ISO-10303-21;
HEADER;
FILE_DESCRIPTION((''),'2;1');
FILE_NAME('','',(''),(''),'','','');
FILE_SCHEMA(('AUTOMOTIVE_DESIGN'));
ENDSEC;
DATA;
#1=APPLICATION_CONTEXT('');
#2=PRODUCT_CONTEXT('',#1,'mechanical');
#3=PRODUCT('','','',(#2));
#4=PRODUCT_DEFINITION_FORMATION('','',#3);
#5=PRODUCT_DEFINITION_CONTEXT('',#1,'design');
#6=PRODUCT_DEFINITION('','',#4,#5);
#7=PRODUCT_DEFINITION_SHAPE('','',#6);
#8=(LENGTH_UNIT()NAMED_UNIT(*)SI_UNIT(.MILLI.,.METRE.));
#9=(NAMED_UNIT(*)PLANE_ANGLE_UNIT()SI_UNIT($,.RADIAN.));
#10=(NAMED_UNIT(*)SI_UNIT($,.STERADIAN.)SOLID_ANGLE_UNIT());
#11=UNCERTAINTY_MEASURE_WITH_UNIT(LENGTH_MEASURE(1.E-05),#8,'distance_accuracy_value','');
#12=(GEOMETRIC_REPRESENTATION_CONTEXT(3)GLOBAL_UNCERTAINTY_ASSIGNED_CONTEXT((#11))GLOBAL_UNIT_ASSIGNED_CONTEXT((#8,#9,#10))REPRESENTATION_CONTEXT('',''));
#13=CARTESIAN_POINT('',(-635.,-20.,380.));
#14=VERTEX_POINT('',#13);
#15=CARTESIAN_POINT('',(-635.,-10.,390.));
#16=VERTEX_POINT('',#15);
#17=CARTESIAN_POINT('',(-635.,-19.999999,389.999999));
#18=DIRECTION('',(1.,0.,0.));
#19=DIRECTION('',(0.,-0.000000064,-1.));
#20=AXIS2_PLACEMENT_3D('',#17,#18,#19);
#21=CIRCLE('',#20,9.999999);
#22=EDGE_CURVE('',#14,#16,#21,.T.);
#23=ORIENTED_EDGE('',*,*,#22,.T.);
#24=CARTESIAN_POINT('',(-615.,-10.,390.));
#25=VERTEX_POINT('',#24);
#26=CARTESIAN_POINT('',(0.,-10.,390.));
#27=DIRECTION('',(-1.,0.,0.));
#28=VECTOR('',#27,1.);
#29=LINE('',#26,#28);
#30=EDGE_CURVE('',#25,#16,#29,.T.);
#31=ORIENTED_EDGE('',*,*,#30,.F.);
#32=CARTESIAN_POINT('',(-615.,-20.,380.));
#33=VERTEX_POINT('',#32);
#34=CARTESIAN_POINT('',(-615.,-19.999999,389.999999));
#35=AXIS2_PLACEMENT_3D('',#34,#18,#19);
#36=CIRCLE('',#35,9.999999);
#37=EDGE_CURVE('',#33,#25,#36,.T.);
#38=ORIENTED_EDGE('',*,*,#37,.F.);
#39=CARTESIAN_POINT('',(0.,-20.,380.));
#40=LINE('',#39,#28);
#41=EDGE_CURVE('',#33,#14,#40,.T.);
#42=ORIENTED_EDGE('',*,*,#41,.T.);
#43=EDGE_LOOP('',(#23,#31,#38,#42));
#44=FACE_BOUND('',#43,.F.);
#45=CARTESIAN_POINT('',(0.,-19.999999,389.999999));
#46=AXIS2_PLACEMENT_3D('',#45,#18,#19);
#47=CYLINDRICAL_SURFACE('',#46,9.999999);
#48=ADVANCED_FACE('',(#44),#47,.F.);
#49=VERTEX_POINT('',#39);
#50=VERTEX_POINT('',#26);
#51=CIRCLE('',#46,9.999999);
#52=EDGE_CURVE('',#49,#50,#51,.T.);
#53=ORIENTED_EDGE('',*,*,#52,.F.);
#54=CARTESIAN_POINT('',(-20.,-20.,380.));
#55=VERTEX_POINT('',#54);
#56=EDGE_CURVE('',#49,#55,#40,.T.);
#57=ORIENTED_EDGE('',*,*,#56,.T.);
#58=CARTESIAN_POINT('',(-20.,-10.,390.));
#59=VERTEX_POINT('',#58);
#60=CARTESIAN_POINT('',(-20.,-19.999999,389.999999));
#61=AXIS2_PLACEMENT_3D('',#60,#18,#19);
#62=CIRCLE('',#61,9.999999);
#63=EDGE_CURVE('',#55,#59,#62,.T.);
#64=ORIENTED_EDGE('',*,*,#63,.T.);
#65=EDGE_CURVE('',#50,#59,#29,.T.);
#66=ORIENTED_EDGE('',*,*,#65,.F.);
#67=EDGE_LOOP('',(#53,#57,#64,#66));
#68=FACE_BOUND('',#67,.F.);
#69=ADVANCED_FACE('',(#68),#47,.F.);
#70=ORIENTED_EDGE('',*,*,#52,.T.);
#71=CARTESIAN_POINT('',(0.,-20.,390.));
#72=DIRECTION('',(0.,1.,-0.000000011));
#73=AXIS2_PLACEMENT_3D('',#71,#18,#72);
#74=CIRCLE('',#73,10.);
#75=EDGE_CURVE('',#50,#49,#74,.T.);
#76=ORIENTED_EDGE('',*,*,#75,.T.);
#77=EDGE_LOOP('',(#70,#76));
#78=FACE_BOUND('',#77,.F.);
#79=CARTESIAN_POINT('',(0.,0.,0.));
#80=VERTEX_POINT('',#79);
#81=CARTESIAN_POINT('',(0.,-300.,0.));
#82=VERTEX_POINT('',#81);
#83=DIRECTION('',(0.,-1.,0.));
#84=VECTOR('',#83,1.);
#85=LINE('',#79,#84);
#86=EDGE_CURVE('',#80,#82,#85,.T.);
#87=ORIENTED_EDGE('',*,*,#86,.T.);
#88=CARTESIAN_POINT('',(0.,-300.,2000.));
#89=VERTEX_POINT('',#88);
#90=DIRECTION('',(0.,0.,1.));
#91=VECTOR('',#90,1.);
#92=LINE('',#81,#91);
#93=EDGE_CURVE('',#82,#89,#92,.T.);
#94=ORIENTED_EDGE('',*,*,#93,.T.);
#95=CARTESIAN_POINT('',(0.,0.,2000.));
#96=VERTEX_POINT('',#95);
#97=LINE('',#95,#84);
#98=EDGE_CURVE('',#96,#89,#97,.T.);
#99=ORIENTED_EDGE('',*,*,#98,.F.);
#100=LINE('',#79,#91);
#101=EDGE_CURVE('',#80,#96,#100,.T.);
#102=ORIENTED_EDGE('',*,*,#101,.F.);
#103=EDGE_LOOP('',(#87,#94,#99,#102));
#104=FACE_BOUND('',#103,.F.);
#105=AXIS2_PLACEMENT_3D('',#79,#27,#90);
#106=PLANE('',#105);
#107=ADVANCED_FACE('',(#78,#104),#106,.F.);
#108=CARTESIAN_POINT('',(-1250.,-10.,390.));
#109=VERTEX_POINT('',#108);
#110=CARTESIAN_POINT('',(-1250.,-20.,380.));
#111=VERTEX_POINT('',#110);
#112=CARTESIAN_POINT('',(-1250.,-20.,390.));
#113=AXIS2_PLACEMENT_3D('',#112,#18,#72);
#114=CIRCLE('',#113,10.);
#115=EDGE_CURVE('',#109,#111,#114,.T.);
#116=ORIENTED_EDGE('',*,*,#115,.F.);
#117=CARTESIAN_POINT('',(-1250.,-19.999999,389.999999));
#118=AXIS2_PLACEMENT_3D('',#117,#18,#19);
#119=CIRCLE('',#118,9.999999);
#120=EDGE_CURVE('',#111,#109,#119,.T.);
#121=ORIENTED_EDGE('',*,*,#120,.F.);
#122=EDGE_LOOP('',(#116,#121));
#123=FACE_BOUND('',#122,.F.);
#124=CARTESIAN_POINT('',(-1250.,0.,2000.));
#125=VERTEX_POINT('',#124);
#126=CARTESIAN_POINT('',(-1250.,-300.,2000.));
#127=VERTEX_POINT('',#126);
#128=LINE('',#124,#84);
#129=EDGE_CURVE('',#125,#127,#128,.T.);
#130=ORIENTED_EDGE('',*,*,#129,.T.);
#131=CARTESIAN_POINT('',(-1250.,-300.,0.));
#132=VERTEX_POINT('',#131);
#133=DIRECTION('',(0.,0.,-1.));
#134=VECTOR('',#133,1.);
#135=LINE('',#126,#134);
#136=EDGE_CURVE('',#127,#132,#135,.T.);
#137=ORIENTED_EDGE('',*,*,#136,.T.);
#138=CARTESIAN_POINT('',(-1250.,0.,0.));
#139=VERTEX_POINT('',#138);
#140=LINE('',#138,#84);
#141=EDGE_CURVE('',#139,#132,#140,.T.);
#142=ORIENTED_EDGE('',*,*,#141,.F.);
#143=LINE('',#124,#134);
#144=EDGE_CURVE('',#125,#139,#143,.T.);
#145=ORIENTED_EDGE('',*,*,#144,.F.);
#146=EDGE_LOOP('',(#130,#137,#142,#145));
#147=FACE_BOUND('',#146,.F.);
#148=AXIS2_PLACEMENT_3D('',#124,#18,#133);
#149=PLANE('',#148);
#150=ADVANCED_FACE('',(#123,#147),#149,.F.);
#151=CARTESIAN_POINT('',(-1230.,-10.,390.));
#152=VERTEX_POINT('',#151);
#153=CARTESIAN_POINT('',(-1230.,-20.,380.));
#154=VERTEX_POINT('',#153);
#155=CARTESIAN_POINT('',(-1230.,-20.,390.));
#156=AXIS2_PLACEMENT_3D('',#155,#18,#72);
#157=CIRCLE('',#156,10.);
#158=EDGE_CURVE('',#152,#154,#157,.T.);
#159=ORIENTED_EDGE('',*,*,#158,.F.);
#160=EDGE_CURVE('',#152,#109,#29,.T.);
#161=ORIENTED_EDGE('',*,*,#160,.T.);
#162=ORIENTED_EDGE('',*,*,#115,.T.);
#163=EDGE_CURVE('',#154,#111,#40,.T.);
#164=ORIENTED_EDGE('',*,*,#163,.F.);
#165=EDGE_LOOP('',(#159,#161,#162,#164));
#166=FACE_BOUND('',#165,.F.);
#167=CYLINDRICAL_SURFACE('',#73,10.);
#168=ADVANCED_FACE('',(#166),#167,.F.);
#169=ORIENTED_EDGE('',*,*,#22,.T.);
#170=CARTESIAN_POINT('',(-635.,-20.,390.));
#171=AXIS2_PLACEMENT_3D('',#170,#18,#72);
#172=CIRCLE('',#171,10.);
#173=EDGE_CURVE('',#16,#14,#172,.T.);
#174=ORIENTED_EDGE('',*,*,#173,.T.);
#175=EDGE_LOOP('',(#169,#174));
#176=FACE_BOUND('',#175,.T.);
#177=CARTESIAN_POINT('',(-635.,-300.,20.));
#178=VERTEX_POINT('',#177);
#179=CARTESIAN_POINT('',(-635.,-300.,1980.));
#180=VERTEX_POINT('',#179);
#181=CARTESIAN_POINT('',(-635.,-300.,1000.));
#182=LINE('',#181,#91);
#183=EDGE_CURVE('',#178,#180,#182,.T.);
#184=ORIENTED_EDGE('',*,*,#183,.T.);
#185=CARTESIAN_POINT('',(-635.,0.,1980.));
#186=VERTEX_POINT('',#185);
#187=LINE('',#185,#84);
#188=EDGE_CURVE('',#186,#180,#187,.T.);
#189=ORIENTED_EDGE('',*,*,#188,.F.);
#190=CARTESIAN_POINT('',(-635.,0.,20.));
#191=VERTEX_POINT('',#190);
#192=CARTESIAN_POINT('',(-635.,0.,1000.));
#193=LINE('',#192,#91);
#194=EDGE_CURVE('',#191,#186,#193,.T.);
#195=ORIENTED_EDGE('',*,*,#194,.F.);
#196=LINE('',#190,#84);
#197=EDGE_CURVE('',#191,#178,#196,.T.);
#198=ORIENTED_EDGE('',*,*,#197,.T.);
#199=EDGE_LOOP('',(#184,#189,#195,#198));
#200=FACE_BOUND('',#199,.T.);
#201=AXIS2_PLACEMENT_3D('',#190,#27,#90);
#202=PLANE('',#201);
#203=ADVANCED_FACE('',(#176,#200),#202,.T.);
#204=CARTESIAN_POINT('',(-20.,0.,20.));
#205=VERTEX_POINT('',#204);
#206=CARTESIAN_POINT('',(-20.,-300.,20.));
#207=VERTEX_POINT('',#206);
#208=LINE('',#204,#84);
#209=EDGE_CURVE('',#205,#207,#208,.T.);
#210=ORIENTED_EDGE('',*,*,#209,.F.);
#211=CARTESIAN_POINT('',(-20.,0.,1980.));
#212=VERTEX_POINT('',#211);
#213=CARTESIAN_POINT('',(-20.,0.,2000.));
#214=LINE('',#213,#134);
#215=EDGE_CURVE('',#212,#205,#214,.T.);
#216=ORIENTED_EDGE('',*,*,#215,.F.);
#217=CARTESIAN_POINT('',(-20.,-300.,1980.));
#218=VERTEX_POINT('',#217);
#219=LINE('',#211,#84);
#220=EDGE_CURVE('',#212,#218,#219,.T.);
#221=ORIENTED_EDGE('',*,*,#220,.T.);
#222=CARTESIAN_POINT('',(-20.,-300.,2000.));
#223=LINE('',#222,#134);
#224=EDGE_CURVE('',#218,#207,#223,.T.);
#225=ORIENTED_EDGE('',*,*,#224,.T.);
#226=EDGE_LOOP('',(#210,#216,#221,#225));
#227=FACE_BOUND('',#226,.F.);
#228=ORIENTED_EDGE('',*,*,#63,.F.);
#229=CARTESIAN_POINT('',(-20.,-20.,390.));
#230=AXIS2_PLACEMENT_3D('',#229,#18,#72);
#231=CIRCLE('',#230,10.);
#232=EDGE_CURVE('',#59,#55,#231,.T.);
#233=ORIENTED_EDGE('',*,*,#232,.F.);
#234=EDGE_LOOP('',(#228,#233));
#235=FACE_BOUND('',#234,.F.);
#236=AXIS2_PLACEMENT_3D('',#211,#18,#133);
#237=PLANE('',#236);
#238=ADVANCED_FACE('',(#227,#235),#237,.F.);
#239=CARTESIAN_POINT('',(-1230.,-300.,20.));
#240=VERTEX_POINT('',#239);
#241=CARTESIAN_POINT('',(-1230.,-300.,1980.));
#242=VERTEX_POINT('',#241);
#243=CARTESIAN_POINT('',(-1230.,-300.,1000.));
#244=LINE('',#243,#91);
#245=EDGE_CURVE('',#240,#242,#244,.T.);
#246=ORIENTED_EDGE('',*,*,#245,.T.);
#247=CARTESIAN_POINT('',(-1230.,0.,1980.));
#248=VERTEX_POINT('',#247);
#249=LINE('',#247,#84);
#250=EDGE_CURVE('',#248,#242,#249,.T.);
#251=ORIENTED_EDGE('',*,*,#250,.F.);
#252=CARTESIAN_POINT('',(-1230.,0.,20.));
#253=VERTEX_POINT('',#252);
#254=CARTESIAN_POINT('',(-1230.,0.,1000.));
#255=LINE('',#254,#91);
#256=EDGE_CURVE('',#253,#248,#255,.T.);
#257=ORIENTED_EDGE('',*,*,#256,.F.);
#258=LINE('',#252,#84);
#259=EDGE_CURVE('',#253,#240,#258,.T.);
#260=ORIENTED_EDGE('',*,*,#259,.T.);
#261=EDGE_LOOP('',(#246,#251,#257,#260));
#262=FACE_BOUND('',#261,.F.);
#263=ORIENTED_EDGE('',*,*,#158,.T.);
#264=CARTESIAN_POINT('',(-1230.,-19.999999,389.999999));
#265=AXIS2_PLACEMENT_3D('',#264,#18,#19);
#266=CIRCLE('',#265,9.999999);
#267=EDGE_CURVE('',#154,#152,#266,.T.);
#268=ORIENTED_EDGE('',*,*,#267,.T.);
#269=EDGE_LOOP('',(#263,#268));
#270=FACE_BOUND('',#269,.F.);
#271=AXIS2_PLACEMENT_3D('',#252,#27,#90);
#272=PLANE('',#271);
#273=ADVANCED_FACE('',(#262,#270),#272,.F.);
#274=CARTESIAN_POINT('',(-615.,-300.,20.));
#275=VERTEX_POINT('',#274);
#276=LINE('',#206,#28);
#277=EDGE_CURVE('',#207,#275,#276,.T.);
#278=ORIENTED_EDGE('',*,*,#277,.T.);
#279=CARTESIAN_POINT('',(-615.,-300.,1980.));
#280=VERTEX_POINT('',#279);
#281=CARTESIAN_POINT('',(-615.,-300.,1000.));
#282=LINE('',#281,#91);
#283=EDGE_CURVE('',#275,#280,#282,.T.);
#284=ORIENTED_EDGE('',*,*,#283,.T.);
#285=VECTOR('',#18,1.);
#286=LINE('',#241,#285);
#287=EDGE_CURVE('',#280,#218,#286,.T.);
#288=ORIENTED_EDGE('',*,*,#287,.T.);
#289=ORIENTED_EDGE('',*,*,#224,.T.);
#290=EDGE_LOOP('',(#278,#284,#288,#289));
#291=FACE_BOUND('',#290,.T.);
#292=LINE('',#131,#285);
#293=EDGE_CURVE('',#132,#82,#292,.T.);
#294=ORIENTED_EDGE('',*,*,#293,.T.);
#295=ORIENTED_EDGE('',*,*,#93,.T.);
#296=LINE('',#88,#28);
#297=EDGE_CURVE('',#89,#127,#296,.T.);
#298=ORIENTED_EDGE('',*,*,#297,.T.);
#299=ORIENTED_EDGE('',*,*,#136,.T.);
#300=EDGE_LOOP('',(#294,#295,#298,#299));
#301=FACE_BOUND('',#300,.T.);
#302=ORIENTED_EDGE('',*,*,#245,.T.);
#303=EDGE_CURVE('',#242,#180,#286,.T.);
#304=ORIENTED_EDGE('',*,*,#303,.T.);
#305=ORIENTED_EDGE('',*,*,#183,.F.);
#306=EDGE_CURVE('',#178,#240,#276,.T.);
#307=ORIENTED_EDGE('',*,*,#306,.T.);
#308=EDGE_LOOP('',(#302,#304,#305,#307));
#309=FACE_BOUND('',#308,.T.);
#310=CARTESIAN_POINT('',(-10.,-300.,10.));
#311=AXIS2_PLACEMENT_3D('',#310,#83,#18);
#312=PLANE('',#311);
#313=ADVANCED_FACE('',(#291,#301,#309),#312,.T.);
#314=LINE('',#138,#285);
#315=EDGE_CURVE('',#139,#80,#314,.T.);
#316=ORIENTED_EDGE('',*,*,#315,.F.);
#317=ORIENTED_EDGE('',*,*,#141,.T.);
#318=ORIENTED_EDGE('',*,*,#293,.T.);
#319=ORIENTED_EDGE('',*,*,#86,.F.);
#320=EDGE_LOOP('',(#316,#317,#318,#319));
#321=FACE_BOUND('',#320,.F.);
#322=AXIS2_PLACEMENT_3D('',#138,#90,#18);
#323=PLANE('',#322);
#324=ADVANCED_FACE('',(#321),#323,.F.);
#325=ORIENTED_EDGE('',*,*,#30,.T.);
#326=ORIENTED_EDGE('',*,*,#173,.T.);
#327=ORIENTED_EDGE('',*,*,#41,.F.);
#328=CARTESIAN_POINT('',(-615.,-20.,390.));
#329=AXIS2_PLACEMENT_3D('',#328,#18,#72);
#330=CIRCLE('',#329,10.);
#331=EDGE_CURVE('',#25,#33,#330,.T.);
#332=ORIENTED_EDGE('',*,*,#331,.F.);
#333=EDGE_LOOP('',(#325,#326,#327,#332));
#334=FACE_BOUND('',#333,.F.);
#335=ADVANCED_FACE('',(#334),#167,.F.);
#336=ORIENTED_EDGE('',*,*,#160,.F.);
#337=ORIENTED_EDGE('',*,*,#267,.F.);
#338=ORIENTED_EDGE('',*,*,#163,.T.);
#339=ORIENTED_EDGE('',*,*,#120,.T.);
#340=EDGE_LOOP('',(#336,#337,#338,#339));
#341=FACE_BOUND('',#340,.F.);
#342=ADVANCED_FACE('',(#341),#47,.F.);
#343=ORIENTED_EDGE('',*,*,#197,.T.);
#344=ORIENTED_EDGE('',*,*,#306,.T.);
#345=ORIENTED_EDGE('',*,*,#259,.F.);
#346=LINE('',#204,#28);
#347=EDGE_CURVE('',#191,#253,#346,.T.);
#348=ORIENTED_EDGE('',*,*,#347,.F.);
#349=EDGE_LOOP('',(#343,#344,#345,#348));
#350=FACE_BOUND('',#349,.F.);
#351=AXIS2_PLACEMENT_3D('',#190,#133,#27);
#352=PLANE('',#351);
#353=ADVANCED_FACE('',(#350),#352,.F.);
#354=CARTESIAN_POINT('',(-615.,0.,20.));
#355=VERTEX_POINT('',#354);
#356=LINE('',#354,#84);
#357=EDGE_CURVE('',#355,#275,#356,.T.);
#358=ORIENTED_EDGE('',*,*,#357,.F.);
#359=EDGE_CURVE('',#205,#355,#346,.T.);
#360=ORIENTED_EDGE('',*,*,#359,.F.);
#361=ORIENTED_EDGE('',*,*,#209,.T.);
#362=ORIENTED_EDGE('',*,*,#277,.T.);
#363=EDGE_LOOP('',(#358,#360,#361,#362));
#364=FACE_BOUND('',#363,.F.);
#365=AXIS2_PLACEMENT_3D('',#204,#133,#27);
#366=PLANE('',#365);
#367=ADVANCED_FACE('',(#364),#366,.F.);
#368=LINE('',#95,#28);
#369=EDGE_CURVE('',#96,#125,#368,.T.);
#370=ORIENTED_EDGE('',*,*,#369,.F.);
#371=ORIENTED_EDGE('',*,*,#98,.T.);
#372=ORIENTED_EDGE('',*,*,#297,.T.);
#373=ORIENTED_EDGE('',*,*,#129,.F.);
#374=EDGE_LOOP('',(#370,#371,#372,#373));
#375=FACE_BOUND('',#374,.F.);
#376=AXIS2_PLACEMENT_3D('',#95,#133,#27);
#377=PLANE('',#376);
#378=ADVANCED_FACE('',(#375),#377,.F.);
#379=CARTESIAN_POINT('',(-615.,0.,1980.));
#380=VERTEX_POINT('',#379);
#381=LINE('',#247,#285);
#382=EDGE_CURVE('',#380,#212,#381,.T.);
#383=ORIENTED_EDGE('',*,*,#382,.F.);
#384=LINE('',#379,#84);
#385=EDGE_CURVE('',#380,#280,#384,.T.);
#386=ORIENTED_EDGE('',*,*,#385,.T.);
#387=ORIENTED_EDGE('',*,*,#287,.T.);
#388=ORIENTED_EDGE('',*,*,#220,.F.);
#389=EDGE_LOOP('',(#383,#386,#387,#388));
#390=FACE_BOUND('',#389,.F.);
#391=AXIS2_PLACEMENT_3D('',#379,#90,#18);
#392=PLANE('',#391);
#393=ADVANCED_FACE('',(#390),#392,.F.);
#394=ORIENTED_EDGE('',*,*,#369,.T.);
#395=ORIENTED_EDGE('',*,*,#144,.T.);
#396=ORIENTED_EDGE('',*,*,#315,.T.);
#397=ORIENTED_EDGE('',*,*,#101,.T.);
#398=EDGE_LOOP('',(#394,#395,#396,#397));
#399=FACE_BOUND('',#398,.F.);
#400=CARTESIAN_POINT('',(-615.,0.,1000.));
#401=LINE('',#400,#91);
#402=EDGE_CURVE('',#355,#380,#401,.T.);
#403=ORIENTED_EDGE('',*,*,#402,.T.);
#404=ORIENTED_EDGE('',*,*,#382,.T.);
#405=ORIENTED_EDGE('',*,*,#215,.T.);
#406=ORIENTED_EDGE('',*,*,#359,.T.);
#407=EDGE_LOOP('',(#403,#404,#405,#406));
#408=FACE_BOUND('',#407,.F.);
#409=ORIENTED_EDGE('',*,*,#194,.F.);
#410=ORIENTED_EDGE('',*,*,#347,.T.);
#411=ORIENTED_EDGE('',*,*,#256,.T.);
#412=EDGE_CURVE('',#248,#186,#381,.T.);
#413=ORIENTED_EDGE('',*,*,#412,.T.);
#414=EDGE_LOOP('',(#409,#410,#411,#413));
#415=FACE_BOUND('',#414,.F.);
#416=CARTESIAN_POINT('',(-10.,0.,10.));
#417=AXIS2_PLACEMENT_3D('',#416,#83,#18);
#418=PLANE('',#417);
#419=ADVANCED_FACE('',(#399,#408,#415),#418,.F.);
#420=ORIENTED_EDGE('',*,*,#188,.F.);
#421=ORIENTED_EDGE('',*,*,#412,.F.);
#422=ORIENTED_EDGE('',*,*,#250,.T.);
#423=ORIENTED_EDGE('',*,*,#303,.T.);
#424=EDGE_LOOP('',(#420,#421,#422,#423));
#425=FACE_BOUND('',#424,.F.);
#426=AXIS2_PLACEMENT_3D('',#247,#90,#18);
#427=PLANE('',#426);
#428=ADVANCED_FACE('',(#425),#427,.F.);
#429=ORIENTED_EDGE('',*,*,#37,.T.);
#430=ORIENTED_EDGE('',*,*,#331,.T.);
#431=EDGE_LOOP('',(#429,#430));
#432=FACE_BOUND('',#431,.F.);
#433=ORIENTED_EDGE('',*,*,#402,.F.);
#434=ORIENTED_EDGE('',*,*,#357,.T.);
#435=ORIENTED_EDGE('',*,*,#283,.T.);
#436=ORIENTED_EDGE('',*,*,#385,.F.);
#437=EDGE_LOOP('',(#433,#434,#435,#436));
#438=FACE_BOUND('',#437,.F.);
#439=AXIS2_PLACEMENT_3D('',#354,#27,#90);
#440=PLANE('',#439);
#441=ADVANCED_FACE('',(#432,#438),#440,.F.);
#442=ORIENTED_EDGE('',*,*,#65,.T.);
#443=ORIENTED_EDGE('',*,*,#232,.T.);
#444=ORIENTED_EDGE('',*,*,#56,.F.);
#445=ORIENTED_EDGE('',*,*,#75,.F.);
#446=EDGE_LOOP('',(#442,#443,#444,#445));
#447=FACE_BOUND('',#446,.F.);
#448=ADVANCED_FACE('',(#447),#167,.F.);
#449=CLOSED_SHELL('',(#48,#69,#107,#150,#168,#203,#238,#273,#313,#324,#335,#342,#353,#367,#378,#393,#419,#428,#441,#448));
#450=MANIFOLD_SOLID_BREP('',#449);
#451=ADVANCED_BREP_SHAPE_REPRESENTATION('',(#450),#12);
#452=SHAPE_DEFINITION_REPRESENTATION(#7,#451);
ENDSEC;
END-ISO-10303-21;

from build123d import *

# Parameters (mm, degrees)
F0_W     = 20
F0_H     = 20
F0_H_2   = 1960
F1_DEPTH = 300
F3_DEPTH = 1250.001


with BuildPart() as f1:
    # F0 (on Front) → F1 (new body)
    with BuildSketch(Plane.XZ):
        with Locations((-10, 10)):
            Rectangle(F0_W, F0_H)
        Polygon((-1230, 0), (-20, 0), (-20, 20), (-615, 20), (-635, 20), (-1230, 20), align=None)
        with Locations((-10, 1000)):
            Rectangle(F0_W, F0_H_2)
        with Locations((-1240, 10)):
            Rectangle(F0_W, F0_H)
        with Locations((-10, 1990)):
            Rectangle(F0_W, F0_H)
        with Locations((-1240, 1000)):
            Rectangle(F0_W, F0_H_2)
        Polygon((-615, 1980), (-20, 1980), (-20, 2000), (-1230, 2000), (-1230, 1980), (-635, 1980), align=None)
        with Locations((-1240, 1990)):
            Rectangle(F0_W, F0_H)
        with Locations((-625, 1000)):
            Rectangle(F0_W, F0_H_2)
    extrude(amount=F1_DEPTH)

    # F2 (on face) → F3 (cut, through all)
    with BuildSketch(Plane.YZ):
        with BuildLine():
            ThreePointArc((-20, 380), (-12.928932, 382.928932), (-10, 390))
            ThreePointArc((-10, 390), (-27.071068, 397.071068), (-20, 380))
        make_face()
    extrude(amount=-F3_DEPTH, mode=Mode.SUBTRACT)


solid = f1.part
